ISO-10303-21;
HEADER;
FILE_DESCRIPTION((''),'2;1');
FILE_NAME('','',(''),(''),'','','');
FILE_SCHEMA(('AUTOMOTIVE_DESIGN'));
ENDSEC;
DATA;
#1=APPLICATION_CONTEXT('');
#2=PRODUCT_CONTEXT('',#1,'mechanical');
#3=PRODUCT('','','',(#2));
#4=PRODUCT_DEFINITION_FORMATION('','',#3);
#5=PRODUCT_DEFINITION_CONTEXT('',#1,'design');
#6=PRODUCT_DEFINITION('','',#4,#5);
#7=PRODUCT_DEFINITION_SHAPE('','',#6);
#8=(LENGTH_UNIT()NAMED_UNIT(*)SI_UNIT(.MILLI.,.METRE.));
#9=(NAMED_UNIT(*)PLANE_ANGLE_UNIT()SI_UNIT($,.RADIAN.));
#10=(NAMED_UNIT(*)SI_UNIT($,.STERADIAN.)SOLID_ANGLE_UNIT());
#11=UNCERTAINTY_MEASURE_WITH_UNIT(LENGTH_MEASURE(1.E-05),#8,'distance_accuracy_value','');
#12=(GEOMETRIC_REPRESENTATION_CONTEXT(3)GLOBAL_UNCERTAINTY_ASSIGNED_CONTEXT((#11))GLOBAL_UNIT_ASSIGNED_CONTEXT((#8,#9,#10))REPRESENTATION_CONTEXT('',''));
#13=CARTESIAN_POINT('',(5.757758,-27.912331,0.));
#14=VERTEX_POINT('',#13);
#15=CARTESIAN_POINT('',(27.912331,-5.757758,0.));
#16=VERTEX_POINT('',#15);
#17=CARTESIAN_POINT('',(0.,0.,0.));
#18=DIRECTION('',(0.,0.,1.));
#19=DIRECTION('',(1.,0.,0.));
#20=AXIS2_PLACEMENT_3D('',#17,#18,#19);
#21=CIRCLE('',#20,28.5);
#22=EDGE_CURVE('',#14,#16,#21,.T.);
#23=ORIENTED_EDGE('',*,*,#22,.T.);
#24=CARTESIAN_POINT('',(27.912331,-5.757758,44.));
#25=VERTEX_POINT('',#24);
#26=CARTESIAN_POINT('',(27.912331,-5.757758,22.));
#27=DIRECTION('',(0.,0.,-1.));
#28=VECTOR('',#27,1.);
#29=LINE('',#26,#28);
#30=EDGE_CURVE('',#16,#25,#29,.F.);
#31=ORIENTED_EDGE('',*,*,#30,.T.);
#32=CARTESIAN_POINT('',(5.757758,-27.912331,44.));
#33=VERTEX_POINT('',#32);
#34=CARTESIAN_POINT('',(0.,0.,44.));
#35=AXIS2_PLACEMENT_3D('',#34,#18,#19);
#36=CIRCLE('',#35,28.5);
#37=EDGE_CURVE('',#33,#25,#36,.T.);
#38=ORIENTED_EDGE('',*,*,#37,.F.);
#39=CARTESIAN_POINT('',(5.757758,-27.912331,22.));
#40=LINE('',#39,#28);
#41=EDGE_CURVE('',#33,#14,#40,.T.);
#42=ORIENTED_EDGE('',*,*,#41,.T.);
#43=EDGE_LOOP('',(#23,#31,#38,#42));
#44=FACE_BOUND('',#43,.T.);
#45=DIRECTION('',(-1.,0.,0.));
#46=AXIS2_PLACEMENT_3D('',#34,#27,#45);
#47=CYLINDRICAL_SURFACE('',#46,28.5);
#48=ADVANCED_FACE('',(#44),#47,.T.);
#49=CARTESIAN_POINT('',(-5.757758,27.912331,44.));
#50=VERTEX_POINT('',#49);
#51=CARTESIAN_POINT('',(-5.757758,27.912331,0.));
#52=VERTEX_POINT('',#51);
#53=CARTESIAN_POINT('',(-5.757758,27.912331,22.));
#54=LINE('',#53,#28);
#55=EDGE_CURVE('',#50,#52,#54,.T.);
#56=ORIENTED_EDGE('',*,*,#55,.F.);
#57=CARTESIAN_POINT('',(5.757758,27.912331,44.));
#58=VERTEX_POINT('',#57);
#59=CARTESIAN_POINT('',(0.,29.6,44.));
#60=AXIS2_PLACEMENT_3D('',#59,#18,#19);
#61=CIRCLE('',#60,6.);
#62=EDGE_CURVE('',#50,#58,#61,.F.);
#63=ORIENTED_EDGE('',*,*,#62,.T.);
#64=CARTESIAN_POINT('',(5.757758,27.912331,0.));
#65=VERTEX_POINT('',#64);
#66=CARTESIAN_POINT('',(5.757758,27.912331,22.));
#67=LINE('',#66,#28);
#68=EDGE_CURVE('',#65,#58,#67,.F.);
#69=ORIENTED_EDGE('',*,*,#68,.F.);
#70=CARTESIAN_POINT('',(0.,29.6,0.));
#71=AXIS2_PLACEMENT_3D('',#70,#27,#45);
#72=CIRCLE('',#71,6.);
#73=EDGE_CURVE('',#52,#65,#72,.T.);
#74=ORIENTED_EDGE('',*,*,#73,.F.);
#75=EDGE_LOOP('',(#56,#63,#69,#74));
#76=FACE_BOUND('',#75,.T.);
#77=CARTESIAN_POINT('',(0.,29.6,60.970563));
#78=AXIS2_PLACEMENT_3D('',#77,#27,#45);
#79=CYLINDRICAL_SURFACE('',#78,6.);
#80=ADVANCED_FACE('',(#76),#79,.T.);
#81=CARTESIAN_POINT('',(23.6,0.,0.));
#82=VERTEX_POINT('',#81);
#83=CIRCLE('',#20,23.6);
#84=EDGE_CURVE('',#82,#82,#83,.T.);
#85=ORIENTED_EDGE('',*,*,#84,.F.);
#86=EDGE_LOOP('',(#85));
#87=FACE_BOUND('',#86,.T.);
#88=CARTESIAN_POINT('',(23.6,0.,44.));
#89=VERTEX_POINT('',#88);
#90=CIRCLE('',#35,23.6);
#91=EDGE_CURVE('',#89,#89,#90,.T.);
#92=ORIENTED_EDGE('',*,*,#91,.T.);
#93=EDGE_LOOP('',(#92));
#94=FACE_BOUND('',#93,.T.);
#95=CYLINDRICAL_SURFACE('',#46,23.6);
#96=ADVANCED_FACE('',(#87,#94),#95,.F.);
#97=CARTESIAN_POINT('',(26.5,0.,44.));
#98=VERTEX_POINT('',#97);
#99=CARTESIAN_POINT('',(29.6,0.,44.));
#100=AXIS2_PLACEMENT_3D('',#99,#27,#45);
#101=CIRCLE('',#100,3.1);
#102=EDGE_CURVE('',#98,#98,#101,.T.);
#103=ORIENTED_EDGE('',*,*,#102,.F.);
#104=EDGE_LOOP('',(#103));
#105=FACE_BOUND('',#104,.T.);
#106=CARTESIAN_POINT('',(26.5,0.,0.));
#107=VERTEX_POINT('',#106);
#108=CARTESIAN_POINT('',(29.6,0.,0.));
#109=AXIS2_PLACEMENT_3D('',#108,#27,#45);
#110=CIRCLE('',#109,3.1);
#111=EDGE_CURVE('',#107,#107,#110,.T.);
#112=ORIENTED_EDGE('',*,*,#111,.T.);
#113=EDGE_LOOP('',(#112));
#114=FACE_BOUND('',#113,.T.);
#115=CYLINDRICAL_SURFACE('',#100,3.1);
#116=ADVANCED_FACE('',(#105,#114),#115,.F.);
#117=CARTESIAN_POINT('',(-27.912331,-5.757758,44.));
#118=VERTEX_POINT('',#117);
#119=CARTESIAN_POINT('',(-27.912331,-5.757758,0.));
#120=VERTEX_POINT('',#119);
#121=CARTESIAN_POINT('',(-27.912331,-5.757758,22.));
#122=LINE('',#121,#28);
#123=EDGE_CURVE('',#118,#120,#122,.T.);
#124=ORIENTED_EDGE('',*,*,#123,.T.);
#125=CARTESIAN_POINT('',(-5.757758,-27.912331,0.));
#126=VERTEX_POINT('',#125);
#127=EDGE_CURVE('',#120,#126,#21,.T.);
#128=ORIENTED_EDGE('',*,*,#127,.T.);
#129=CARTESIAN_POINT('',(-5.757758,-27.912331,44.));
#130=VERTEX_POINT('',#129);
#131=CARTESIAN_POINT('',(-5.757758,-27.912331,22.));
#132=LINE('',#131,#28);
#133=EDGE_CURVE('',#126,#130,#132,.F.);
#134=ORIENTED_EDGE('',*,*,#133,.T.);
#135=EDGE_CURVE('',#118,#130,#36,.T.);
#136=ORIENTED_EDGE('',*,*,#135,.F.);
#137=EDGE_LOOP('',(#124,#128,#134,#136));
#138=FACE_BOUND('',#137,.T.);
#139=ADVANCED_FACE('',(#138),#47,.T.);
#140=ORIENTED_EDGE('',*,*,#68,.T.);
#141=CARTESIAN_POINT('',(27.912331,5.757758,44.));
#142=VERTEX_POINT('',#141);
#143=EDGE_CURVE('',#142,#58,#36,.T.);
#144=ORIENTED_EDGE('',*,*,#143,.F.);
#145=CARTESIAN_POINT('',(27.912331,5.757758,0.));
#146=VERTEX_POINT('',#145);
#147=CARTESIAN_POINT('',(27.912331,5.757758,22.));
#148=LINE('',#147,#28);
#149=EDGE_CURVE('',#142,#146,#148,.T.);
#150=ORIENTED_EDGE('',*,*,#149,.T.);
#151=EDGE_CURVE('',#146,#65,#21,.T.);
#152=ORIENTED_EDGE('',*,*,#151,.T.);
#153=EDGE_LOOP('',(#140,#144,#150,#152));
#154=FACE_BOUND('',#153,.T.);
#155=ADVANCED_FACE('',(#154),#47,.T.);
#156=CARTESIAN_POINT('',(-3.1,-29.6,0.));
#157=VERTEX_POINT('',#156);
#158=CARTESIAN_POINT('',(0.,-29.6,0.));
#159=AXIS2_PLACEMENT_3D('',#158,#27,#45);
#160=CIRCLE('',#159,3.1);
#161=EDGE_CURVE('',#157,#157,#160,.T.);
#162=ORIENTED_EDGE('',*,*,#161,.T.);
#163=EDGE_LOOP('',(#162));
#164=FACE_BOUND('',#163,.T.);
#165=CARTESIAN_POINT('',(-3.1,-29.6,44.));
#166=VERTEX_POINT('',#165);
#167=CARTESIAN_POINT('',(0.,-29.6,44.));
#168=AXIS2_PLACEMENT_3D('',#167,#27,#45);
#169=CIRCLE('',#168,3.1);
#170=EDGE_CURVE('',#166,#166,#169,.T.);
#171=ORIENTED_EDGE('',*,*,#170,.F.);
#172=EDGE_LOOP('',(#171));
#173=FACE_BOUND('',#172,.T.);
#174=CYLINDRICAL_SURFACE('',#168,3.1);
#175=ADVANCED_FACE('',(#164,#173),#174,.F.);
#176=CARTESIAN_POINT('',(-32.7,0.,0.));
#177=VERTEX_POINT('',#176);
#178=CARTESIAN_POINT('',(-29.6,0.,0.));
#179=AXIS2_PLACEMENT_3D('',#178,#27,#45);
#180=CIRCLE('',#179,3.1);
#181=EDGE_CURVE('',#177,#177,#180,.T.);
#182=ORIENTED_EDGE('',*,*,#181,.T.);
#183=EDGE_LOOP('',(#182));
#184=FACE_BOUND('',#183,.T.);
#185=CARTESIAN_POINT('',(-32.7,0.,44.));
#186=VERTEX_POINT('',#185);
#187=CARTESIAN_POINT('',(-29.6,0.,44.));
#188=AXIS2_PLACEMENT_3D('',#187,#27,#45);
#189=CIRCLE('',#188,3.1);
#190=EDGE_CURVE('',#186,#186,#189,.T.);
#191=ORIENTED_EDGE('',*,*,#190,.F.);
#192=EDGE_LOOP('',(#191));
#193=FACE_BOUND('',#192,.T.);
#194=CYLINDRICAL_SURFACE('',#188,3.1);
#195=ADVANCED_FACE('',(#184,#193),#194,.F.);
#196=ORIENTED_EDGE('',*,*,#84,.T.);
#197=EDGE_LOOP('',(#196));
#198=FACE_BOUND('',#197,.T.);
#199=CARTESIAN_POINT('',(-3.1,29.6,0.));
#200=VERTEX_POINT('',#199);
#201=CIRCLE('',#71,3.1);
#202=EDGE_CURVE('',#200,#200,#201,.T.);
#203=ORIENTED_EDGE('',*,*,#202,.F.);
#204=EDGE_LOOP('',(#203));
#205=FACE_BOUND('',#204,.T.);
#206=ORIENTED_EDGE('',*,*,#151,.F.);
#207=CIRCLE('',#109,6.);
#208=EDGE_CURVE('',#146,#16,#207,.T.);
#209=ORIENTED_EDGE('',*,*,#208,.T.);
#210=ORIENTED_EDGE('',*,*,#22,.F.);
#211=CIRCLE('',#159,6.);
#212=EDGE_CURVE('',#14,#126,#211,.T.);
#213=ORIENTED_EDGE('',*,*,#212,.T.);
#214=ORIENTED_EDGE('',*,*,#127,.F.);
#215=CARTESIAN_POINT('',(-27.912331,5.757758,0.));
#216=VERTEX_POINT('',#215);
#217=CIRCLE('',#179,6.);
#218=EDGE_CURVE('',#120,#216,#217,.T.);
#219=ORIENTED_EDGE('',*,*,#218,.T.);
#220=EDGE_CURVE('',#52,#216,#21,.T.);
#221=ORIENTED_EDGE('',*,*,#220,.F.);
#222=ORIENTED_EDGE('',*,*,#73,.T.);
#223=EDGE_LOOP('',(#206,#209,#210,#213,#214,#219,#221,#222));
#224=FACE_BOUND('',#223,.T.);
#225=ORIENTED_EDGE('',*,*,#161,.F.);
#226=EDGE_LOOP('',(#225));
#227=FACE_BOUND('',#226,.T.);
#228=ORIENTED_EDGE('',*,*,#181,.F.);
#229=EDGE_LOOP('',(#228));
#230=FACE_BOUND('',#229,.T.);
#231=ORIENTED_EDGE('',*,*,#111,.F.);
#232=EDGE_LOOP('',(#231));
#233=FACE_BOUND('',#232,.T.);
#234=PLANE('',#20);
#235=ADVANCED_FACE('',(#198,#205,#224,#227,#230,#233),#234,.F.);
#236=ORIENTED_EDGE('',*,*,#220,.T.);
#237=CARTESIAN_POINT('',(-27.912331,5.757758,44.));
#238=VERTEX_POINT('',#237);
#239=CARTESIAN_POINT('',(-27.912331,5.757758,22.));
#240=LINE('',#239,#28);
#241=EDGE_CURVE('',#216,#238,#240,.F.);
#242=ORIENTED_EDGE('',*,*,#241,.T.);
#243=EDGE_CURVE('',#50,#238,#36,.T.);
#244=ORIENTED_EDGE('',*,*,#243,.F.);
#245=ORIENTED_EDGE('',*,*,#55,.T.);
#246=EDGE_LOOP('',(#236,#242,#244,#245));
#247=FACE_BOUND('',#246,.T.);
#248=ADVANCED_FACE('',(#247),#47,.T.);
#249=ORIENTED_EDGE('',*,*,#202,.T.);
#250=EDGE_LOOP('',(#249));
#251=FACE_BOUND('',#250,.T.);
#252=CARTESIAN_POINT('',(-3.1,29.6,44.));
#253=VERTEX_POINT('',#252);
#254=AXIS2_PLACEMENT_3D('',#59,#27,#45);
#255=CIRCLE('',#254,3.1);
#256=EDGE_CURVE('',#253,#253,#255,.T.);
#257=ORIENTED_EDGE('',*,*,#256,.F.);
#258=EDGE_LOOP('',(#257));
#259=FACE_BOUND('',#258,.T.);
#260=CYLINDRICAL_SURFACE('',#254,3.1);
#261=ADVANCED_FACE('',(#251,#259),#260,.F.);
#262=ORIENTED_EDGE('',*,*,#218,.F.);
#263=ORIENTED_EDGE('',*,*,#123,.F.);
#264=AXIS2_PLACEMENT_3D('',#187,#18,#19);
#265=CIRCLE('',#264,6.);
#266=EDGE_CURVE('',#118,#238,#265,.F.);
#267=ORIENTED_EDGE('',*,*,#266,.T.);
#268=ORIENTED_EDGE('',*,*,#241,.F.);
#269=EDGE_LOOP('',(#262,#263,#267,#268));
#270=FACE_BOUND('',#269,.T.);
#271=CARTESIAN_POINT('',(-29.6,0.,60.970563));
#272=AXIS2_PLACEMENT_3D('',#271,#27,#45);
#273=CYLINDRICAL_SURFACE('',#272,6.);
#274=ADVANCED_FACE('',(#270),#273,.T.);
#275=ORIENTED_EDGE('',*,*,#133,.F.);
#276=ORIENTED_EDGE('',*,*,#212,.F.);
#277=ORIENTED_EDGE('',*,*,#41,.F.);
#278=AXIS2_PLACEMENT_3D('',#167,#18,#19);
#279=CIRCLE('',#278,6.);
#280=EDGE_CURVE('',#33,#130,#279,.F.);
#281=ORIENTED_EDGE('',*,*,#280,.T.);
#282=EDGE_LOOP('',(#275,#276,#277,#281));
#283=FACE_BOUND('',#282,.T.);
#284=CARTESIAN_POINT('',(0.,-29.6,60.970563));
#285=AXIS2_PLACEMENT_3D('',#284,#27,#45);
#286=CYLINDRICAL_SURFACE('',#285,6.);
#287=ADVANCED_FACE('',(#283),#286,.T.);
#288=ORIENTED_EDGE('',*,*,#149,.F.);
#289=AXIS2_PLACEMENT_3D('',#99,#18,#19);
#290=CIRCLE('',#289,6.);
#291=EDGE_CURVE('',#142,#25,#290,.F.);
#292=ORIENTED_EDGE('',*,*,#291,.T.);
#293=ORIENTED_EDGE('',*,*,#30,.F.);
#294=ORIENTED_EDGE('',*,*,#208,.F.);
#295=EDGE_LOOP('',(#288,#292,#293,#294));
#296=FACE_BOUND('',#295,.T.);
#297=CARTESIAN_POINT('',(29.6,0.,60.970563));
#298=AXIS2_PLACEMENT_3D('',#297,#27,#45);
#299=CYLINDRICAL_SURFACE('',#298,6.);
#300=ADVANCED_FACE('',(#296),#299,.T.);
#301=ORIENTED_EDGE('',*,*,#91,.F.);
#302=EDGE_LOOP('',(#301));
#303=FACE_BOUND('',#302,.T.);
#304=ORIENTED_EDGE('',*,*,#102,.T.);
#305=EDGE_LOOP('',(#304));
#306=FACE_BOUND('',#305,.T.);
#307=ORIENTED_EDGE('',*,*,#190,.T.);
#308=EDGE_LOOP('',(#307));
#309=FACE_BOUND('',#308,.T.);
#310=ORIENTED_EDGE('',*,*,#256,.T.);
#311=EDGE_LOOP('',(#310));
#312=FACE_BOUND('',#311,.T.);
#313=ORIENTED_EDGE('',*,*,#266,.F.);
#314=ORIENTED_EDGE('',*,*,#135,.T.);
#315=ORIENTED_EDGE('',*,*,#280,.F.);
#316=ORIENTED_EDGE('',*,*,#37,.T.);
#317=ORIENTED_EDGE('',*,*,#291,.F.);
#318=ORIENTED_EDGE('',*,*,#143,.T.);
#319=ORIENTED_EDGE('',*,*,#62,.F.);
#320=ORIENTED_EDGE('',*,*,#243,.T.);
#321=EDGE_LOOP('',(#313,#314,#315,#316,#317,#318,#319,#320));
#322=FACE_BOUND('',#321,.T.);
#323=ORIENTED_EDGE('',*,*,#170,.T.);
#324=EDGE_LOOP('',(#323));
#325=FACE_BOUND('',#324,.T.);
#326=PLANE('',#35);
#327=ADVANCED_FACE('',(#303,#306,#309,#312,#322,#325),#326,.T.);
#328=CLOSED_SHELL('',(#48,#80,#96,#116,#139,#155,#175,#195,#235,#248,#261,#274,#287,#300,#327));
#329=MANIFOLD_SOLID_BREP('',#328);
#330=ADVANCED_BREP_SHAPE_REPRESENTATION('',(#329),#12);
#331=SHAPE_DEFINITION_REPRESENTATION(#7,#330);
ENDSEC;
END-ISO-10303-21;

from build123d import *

# Parameters (mm, degrees)
SKETCH1_R           = 28.5
SKETCH1_R_2         = 23.6
BOSS_EXTRUDE1_DEPTH = 44
SKETCH2_R           = 6
BOSS_EXTRUDE2_DEPTH = 44
SKETCH3_R           = 3.1
CUT_EXTRUDE1_DEPTH  = 45


with BuildPart() as part:
    # Sketch1 → Boss-Extrude1 (new body)
    with BuildSketch(Plane.XY):
        Circle(SKETCH1_R)
        Circle(SKETCH1_R_2, mode=Mode.SUBTRACT)
    extrude(amount=BOSS_EXTRUDE1_DEPTH)

    # Sketch2 → Boss-Extrude2 (add)
    with BuildSketch(Plane(origin=(0, 0, 0), x_dir=(-1, 0, 0), z_dir=(0, 0, -1))):
        with Locations((0, 29.6)):
            Circle(SKETCH2_R)
        with Locations((29.6, 0)):
            Circle(SKETCH2_R)
        with Locations((0, -29.6)):
            Circle(SKETCH2_R)
        with Locations((-29.6, 0)):
            Circle(SKETCH2_R)
    extrude(amount=-BOSS_EXTRUDE2_DEPTH)

    # Sketch3 → Cut-Extrude1 (cut, through all)
    with BuildSketch(Plane(origin=(0, 0, 0), x_dir=(-1, 0, 0), z_dir=(0, 0, -1))):
        with Locations((0, 29.6)):
            Circle(SKETCH3_R)
        with Locations((29.6, 0)):
            Circle(SKETCH3_R)
        with Locations((-29.6, 0)):
            Circle(SKETCH3_R)
        with Locations((0, -29.6)):
            Circle(SKETCH3_R)
    extrude(amount=-CUT_EXTRUDE1_DEPTH, mode=Mode.SUBTRACT)


solid = part.part
